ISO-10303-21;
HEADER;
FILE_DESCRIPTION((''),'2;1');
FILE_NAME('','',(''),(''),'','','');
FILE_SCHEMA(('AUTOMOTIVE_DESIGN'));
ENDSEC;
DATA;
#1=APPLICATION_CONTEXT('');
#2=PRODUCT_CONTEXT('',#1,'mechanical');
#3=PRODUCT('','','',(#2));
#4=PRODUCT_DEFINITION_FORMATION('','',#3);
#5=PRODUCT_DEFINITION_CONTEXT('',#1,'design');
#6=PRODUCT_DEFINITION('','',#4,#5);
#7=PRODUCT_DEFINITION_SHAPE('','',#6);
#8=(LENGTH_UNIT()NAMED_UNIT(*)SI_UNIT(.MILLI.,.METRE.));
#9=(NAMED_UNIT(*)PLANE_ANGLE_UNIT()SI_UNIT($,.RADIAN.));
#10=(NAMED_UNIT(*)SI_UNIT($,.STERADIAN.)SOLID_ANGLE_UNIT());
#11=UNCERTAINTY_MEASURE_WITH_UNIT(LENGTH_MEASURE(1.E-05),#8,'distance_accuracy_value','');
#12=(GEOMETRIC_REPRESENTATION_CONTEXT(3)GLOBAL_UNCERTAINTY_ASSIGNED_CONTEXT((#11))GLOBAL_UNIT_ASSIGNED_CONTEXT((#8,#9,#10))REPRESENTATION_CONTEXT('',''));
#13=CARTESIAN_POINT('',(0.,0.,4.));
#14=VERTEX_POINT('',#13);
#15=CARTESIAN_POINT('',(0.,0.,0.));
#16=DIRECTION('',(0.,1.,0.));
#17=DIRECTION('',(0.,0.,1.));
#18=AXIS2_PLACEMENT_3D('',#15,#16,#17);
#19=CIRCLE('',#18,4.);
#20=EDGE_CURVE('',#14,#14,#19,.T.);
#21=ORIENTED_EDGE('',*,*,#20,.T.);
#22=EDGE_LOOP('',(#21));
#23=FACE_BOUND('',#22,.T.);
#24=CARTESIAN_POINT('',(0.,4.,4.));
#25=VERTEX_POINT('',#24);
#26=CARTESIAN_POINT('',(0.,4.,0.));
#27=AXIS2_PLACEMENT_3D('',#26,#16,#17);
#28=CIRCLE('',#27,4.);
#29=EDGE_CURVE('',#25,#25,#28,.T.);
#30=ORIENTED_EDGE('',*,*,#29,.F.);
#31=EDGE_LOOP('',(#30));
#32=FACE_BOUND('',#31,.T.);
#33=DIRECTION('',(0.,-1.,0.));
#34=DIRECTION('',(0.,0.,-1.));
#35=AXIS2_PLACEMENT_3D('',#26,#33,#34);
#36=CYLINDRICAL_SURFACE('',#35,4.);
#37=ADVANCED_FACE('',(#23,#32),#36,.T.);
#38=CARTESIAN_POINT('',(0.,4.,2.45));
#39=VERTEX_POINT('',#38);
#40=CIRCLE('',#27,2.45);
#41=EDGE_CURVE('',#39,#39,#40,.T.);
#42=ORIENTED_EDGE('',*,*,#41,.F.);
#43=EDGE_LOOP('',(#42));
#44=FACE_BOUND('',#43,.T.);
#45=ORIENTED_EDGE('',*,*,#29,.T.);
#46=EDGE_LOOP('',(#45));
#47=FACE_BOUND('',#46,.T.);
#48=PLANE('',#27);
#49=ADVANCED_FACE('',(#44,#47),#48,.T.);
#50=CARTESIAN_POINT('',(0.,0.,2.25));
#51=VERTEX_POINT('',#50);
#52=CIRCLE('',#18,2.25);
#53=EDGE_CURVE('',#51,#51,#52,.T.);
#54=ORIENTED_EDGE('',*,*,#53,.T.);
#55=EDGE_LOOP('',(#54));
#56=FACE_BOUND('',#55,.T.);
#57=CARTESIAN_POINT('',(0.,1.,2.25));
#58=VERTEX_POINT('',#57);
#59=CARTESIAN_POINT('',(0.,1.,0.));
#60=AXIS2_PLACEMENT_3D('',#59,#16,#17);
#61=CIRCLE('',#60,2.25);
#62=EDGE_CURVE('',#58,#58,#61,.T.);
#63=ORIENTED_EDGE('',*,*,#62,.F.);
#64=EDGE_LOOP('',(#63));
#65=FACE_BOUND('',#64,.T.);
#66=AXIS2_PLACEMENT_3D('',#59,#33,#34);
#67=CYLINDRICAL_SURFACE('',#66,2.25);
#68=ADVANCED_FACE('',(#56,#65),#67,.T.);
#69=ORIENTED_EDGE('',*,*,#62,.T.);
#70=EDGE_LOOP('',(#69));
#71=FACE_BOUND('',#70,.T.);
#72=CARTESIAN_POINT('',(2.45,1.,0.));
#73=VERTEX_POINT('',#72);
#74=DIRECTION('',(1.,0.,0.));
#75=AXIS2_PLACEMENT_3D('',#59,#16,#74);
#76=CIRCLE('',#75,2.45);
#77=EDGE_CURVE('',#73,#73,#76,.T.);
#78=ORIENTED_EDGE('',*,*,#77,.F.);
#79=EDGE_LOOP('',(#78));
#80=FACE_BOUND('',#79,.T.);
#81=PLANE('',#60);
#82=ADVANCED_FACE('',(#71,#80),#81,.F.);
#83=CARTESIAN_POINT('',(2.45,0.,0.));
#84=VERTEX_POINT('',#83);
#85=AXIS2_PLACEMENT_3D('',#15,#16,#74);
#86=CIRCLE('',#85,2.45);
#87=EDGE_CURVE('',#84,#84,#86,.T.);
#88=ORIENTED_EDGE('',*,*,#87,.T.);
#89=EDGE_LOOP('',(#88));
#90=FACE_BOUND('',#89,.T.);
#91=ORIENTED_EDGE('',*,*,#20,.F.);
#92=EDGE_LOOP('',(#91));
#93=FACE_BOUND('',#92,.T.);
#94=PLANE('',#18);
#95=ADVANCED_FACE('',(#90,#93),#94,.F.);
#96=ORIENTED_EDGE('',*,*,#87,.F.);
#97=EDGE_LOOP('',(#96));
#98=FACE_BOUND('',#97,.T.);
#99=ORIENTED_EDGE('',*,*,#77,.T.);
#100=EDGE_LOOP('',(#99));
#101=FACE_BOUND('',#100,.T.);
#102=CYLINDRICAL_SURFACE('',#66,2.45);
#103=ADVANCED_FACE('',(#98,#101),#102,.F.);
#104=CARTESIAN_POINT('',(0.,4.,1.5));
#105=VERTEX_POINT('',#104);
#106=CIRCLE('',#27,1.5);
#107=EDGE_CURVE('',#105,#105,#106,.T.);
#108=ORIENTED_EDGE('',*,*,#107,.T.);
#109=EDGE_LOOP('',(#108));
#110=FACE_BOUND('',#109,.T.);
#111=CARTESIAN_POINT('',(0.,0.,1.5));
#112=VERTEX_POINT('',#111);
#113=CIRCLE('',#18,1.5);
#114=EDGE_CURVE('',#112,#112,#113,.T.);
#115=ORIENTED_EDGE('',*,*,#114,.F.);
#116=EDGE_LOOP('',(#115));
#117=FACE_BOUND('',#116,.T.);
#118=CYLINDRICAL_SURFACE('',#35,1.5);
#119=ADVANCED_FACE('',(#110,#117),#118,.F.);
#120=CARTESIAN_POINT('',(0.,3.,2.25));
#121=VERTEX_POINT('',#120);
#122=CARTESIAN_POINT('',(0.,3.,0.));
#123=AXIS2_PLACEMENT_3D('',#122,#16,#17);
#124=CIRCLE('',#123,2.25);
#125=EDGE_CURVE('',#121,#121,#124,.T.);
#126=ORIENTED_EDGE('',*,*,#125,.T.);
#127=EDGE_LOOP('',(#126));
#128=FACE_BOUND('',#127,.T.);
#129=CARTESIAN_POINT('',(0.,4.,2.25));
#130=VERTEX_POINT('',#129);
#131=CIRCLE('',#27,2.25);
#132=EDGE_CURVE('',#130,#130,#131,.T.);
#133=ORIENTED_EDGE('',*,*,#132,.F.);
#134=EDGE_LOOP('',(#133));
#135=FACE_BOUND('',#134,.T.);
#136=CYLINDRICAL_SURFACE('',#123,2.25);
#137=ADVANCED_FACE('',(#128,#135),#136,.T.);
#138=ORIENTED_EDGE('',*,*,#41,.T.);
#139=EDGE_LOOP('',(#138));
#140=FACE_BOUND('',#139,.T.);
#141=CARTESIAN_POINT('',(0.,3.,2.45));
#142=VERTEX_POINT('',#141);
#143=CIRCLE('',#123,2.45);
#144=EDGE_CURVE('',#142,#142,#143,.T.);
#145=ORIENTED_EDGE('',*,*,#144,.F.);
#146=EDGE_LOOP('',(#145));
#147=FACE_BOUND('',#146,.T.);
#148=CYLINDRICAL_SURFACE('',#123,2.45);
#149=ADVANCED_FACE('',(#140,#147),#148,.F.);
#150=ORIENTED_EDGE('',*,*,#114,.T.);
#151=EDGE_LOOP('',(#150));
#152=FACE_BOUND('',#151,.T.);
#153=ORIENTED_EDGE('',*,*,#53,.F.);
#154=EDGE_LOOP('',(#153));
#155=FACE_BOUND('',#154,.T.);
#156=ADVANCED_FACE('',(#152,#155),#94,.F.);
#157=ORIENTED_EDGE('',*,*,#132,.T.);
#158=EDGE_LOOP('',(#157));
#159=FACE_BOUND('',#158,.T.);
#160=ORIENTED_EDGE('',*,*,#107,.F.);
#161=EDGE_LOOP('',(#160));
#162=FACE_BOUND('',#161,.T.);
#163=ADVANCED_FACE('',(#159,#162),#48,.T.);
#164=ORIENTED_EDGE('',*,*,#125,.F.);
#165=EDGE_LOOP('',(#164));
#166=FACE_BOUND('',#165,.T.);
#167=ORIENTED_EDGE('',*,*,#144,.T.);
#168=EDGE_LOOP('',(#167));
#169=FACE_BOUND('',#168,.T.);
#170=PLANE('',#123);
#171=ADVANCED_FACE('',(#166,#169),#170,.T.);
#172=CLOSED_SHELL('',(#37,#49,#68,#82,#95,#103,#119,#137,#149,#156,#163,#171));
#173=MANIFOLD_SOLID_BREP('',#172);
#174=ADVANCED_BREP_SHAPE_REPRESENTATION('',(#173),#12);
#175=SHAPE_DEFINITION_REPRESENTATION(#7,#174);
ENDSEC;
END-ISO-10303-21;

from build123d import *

# Parameters (mm, degrees)
SKETCH_1_R          = 4
SKETCH_1_R_2        = 1.5
EXTRUDE_1_DEPTH     = 4
SKETCH_1_3_R        = 2.45
SKETCH_1_3_R_2      = 2.25
CUT_EXTRUDE_1_DEPTH = 1
CUT_EXTRUDE_START   = 3
SKETCH_1_4_R        = 2.45
SKETCH_1_4_R_2      = 2.25
CUT_EXTRUDE_2_DEPTH = 1


with BuildPart() as part:
    # 草图1 → 凸台-拉伸1 (new body)
    with BuildSketch(Plane(origin=(0, 0, 0), x_dir=(1, 0, 0), z_dir=(0, 1, 0))):
        with Locations(Location((0, 0, 0), (0, 0, 270))):
            Circle(SKETCH_1_R)
        with Locations(Location((0, 0, 0), (0, 0, 270))):
            Circle(SKETCH_1_R_2, mode=Mode.SUBTRACT)
    extrude(amount=EXTRUDE_1_DEPTH)

    # 草图1<3> → 切除-拉伸-薄壁1 (cut)
    with BuildSketch(Plane(origin=(0, 0, 0), x_dir=(1, 0, 0), z_dir=(0, 1, 0))):
        Circle(SKETCH_1_3_R)
        Circle(SKETCH_1_3_R_2, mode=Mode.SUBTRACT)
    extrude(amount=CUT_EXTRUDE_1_DEPTH, mode=Mode.SUBTRACT)

    # 草图1<4> → 切除-拉伸-薄壁2 (cut)
    with BuildSketch(Plane(origin=(0, 0, 0), x_dir=(1, 0, 0), z_dir=(0, 1, 0)).offset(CUT_EXTRUDE_START)):
        Circle(SKETCH_1_4_R)
        Circle(SKETCH_1_4_R_2, mode=Mode.SUBTRACT)
    extrude(amount=CUT_EXTRUDE_2_DEPTH, mode=Mode.SUBTRACT)


solid = part.part
